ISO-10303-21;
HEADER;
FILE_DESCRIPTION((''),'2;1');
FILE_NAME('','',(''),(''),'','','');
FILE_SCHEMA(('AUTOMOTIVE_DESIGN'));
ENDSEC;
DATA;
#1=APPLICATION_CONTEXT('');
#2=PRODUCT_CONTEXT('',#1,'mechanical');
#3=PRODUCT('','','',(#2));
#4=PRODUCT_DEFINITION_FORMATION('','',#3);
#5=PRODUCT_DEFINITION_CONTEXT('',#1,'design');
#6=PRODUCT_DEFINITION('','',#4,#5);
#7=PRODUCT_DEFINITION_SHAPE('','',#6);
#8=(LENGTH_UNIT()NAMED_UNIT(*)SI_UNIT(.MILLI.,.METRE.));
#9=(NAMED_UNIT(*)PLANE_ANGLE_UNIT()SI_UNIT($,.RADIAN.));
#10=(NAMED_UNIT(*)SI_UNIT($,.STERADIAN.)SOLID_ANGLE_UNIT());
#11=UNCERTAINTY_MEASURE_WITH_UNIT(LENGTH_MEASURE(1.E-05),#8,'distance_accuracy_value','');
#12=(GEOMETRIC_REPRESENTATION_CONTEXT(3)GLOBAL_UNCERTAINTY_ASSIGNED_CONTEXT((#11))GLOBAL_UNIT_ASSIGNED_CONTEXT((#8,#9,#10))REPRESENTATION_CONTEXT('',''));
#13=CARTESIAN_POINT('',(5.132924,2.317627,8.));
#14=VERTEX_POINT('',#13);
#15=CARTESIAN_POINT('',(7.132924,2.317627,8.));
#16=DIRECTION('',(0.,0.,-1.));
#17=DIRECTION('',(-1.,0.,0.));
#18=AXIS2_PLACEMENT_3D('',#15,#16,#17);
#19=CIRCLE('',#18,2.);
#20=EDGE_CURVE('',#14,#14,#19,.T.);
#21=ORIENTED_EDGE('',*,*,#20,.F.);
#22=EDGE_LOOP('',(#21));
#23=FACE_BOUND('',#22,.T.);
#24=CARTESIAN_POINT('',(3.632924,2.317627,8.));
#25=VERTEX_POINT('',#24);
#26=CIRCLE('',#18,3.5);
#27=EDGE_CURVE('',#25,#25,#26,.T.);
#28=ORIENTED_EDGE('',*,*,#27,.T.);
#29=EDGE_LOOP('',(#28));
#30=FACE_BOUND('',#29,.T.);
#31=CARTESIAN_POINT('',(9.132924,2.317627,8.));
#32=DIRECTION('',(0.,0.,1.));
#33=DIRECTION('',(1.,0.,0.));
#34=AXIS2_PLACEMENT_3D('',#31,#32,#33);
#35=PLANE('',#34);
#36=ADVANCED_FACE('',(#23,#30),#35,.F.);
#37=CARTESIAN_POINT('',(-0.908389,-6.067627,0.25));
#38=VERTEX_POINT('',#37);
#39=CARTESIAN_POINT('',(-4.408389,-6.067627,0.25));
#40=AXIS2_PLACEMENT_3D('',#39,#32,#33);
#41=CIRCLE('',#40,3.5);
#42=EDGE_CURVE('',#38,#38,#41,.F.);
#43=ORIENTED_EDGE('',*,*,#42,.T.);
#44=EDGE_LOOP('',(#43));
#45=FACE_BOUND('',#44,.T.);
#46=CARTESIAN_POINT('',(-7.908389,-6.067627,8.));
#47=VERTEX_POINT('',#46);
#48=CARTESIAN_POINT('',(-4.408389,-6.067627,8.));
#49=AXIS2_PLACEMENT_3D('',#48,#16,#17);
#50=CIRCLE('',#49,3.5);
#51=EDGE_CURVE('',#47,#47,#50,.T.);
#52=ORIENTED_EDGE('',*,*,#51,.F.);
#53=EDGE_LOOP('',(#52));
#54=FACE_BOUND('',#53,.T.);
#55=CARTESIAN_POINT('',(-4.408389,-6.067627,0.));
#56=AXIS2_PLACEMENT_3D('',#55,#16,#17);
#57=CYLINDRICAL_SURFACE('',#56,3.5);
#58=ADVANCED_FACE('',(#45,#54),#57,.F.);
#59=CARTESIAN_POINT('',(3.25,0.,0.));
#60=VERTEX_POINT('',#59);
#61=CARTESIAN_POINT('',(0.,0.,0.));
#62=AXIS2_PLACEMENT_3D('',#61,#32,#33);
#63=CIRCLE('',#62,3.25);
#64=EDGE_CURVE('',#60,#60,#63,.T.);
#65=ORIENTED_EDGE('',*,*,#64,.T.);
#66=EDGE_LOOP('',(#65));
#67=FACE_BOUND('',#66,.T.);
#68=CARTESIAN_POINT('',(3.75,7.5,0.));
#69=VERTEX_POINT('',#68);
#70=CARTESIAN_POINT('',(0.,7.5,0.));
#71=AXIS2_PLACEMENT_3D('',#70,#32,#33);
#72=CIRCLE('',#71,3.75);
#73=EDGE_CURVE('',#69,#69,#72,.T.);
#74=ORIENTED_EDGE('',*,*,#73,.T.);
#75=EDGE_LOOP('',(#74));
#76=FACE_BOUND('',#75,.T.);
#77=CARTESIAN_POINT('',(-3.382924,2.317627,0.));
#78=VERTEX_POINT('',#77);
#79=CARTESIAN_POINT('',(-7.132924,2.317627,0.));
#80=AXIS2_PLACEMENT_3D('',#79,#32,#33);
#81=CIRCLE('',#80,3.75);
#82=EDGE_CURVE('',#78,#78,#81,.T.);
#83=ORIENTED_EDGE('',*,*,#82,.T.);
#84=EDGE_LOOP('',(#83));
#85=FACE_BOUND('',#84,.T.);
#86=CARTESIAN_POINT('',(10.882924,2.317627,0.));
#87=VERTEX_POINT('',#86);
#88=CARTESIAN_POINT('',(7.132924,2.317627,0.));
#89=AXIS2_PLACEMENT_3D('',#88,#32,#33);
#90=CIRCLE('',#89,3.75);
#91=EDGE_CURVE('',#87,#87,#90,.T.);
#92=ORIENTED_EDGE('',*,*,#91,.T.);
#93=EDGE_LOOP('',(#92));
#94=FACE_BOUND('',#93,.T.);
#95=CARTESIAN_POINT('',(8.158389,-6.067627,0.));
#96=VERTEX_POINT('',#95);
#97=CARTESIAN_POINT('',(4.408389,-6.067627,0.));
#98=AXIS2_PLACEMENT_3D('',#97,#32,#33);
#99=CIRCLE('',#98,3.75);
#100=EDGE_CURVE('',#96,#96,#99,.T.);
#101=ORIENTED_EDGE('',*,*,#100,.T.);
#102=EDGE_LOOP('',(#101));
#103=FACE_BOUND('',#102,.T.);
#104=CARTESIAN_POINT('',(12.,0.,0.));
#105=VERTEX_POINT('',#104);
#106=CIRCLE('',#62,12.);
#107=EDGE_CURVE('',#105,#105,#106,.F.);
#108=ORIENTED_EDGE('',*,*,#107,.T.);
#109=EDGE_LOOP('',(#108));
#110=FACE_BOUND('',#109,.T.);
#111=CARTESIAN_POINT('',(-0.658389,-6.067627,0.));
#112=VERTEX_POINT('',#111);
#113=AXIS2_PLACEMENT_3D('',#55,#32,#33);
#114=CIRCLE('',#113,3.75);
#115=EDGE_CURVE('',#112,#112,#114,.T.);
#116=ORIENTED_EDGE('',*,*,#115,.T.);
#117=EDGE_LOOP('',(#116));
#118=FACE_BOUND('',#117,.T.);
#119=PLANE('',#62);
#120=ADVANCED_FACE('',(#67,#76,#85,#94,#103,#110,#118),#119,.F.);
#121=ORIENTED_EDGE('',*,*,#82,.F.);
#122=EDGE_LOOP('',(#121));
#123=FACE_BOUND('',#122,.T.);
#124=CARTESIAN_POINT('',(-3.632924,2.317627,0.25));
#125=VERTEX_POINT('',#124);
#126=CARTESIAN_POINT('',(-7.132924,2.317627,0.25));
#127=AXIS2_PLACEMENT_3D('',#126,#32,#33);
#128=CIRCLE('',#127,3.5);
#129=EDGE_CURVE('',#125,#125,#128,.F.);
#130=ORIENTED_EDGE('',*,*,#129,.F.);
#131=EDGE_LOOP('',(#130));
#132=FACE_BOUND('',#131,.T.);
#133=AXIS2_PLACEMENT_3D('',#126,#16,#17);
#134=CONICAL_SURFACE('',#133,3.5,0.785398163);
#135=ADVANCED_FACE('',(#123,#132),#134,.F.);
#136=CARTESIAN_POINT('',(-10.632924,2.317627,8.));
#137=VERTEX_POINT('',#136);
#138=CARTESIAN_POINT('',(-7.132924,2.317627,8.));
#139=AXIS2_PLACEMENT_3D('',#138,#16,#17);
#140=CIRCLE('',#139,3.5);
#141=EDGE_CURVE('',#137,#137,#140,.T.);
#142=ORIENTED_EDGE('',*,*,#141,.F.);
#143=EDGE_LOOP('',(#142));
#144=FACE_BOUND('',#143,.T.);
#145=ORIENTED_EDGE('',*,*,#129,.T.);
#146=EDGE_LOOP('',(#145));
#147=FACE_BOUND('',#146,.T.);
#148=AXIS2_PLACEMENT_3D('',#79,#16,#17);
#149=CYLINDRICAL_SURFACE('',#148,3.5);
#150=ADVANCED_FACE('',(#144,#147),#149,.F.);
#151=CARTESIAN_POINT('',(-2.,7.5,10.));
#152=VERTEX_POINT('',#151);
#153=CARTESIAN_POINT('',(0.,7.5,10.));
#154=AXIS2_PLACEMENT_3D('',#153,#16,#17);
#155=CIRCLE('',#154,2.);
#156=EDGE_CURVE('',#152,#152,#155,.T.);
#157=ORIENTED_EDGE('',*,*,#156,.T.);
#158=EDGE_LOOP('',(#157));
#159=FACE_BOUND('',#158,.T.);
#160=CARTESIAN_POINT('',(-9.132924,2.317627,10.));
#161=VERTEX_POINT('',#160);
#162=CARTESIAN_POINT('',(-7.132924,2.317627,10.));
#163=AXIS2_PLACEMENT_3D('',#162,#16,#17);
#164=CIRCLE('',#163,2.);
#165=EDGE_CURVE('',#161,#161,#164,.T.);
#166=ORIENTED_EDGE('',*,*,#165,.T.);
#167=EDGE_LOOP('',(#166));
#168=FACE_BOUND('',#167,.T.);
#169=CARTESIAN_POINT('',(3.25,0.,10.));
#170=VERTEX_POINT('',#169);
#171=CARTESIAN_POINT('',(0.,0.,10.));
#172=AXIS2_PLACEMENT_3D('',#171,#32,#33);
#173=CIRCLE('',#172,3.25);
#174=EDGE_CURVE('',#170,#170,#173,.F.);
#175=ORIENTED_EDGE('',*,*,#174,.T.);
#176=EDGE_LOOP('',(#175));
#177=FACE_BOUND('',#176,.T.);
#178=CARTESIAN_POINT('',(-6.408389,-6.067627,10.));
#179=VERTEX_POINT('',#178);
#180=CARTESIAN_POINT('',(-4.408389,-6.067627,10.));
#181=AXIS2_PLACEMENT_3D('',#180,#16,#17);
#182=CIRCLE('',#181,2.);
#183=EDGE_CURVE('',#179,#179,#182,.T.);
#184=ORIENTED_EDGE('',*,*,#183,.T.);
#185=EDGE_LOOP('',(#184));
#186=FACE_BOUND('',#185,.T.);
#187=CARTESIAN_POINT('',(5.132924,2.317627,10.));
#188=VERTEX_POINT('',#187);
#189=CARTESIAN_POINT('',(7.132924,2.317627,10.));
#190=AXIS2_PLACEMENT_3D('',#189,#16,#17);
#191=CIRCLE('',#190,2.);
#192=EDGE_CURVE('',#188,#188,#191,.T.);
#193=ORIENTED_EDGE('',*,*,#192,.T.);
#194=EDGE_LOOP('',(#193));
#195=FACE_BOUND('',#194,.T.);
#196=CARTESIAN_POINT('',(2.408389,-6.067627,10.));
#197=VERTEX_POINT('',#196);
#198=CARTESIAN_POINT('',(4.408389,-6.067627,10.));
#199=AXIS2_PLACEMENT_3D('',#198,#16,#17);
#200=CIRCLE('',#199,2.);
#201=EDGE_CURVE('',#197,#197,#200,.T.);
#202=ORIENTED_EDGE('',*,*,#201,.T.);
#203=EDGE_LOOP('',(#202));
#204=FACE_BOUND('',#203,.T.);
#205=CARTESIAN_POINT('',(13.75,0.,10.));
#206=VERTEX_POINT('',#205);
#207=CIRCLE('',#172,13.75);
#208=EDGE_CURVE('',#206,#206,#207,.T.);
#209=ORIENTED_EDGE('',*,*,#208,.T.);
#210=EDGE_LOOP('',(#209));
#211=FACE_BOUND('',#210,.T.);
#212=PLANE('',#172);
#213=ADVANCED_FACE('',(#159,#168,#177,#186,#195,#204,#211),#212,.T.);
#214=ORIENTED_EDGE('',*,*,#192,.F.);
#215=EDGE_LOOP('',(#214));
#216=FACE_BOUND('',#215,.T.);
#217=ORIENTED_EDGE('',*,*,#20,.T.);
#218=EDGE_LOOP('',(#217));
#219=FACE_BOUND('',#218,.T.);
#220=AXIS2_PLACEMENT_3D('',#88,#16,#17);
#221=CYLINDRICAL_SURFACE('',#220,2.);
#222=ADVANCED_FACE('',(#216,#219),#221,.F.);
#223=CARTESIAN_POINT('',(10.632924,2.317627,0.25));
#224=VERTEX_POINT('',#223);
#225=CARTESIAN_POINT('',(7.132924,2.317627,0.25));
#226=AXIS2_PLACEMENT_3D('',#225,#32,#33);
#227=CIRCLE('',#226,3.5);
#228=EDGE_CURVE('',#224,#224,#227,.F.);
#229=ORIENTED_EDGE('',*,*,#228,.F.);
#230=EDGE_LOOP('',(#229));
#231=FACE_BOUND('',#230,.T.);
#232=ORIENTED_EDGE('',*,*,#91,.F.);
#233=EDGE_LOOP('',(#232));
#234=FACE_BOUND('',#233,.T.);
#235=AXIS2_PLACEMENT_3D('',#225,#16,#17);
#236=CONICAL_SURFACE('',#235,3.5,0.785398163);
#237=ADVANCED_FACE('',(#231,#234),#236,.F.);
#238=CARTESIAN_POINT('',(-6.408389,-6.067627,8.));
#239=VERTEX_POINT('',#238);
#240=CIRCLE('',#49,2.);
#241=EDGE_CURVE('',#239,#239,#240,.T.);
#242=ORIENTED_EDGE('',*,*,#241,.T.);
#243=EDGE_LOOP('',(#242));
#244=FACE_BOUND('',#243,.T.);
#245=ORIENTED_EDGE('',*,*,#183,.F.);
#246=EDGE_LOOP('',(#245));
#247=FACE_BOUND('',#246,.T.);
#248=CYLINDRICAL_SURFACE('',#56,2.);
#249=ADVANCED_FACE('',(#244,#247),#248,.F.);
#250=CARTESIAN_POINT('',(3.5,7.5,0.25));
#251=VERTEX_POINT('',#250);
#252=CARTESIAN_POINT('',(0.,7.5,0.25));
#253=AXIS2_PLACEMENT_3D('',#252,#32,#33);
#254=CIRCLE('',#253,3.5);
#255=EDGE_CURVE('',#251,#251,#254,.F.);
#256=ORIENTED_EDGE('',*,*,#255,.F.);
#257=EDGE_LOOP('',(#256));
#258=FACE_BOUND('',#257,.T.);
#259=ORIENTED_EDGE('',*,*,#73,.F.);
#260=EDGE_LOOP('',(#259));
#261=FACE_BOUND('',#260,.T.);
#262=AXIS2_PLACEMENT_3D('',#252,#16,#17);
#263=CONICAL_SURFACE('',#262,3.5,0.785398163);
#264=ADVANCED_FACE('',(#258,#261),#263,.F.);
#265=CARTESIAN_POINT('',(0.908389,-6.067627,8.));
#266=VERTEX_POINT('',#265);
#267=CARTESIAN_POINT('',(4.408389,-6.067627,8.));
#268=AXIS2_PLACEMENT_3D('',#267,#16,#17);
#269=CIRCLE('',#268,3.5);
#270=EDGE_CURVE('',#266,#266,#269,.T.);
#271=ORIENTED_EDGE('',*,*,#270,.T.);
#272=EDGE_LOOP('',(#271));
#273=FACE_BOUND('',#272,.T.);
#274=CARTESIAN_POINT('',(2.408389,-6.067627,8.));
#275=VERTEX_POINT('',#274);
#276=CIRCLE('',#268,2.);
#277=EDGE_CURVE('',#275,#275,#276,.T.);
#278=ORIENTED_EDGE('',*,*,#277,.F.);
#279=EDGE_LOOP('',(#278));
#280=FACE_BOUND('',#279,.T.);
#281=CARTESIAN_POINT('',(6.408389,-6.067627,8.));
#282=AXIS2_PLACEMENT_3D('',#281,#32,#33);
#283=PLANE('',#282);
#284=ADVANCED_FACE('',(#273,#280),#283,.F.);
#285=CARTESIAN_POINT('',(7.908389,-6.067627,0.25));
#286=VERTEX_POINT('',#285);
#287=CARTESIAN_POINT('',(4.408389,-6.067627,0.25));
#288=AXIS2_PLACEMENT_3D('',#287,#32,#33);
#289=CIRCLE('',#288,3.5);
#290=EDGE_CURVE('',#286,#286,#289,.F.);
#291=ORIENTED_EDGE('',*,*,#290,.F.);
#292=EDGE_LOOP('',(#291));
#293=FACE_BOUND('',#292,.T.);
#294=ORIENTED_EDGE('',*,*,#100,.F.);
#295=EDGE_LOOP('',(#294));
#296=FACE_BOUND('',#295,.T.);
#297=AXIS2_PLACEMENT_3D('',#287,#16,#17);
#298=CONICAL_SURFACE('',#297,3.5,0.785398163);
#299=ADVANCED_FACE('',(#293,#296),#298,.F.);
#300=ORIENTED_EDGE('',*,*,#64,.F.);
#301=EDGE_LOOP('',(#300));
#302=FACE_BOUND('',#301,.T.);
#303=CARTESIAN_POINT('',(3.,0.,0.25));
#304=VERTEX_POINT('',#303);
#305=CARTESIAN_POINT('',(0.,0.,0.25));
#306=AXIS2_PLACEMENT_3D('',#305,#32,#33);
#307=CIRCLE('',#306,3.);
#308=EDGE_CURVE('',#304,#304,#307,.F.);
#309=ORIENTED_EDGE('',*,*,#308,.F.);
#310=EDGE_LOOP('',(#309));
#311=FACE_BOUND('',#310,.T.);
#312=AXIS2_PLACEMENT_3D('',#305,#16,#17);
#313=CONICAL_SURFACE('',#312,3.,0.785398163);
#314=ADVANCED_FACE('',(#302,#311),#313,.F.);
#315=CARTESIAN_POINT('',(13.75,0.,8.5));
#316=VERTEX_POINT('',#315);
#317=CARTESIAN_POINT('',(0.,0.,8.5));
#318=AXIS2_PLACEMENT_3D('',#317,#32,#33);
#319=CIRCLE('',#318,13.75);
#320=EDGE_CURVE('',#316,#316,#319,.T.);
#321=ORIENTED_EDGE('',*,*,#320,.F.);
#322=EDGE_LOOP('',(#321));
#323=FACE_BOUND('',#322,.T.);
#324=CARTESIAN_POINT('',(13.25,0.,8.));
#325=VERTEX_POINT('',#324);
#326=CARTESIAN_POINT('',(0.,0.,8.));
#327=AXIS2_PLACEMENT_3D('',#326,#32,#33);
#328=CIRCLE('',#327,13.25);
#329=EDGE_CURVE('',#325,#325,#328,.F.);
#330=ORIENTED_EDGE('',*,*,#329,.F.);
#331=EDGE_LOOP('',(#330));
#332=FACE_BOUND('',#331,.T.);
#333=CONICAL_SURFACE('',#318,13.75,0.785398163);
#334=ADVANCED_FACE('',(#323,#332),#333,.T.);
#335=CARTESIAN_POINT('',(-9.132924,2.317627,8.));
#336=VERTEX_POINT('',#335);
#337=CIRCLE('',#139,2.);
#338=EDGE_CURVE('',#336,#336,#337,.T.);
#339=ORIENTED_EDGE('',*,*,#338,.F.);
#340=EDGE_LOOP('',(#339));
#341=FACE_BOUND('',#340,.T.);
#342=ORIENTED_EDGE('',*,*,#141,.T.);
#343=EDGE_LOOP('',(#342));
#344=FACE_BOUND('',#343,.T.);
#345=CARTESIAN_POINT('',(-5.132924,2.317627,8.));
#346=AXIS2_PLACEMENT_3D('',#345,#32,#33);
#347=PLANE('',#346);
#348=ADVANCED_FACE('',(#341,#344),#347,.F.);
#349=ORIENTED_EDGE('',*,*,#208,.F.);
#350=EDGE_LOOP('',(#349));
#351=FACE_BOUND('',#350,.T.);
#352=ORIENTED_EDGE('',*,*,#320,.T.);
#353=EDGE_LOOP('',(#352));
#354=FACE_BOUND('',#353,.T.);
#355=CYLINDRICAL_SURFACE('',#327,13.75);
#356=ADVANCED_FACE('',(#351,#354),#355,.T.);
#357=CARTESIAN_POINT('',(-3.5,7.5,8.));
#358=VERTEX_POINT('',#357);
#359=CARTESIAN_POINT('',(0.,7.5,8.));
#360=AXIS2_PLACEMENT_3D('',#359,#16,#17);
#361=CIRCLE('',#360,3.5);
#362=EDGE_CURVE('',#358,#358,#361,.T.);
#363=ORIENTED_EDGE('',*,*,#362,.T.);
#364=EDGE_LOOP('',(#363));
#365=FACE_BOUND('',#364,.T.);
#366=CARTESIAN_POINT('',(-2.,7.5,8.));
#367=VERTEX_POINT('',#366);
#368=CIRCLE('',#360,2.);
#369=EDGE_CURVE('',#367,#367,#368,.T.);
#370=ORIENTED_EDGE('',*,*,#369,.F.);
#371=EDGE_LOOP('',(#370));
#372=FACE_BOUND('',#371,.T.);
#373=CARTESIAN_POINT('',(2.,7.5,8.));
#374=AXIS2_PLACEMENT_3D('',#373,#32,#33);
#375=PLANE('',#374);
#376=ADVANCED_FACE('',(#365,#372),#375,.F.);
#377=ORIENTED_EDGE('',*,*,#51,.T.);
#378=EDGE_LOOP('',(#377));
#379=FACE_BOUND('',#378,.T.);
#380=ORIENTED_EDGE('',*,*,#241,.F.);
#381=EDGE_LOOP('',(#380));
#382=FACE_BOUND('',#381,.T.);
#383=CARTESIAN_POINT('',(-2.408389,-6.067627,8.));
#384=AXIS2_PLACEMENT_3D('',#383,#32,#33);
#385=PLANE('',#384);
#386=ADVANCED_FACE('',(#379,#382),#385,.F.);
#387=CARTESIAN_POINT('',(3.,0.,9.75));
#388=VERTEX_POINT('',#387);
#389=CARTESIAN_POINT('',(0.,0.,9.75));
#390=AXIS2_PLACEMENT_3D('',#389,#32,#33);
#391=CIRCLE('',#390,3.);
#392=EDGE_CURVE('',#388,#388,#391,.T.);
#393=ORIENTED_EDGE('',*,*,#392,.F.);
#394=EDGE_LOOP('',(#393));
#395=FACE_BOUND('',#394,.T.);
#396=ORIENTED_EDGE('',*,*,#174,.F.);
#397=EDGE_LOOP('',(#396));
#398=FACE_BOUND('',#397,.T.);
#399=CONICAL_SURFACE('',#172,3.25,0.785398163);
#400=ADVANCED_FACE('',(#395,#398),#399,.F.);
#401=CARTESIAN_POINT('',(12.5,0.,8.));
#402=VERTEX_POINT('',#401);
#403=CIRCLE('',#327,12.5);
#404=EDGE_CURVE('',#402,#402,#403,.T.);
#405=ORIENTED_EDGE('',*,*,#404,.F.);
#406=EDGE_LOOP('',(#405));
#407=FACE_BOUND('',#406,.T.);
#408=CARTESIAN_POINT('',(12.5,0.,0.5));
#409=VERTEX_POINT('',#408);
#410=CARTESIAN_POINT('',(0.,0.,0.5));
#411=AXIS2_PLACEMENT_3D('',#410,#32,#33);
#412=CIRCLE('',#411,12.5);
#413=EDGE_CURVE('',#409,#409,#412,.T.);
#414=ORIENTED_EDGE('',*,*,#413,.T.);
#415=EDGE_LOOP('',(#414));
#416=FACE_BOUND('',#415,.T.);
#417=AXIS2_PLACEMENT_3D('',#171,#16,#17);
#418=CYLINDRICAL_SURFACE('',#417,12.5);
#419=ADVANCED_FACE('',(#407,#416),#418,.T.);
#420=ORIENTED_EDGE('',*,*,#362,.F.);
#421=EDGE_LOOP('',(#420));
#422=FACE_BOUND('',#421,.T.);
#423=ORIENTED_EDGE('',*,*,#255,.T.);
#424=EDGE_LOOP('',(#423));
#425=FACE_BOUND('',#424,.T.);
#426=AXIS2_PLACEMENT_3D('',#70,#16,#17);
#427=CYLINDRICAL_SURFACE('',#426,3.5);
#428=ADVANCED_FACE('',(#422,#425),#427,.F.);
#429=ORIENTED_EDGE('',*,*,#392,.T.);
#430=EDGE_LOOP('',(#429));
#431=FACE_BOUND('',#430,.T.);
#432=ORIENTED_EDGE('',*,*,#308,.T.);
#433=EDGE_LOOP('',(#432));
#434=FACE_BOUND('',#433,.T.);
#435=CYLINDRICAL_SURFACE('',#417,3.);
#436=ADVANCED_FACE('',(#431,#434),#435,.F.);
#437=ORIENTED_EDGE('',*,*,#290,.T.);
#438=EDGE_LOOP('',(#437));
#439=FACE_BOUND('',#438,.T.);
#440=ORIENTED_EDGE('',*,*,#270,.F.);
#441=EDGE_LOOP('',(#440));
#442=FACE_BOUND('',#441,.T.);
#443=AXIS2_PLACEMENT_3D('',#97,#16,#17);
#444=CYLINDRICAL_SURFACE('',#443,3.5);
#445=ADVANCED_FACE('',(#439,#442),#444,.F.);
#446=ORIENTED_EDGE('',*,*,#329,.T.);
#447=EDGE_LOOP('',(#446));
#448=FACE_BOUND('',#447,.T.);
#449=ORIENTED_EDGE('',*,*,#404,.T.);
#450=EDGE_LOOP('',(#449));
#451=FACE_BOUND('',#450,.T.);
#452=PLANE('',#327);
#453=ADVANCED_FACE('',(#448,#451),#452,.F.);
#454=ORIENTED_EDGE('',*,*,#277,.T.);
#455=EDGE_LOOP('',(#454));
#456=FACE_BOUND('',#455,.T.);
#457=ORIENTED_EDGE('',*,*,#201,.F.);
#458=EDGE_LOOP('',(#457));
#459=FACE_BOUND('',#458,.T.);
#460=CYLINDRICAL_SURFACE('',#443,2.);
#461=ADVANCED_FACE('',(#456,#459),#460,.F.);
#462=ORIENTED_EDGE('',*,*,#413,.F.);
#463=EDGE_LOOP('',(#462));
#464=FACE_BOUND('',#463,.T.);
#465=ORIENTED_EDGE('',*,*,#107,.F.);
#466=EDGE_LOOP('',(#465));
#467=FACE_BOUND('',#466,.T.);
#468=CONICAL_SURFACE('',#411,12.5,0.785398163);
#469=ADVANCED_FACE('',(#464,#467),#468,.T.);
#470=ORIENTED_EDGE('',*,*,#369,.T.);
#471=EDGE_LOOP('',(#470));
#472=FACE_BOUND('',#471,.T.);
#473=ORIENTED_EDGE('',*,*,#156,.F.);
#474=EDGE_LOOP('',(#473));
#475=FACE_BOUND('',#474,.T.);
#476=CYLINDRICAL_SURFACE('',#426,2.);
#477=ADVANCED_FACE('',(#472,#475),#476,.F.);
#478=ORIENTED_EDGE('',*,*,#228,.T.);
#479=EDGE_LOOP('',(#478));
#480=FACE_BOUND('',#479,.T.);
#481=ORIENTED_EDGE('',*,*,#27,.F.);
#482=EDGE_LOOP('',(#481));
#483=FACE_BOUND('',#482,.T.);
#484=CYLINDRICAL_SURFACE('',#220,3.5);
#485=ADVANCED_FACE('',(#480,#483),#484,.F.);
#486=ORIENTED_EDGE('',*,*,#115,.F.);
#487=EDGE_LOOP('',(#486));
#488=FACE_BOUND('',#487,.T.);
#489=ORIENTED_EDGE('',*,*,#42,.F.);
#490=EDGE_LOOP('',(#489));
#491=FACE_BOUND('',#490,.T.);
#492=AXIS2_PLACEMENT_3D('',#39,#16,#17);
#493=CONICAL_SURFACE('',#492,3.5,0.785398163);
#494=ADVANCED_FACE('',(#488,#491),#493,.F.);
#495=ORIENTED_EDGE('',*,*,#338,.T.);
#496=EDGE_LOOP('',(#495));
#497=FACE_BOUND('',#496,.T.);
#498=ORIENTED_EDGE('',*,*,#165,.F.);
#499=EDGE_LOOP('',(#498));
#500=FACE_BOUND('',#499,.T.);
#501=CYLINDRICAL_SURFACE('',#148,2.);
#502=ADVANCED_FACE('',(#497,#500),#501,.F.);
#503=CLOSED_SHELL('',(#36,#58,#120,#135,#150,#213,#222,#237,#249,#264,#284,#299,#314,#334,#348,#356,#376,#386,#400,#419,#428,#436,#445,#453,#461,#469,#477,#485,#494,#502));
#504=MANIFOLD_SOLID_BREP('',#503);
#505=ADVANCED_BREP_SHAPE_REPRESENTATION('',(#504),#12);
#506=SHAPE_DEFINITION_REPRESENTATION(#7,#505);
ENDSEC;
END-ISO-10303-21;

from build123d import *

# Parameters (mm, degrees)
SKETCH_1_R                   = 12.5
SKETCH_1_R_2                 = 1.5
EXTRUDE_1_DEPTH              = 10
EXTRUDE_START                = -2
SKETCH_3_R                   = 13.75
SKETCH_3_R_2                 = 12.5
EXTRUDE_3_DEPTH              = 2
SKETCH_4_R                   = 3
CUT_EXTRUDE_1_DEPTH          = 22.866069606
HOLE_WIZARD_M3_1_D           = 4
HOLE_WIZARD_M3_1_CBORE_D     = 7
HOLE_WIZARD_M3_1_CBORE_DEPTH = 8
CHAMFER_1_SIZE               = 0.5
CHAMFER_2_SIZE               = 0.25


with BuildPart() as part:
    # ｽｹｯﾁ1 → ﾎﾞｽ - 押し出し1 (new body)
    with BuildSketch(Plane.XY):
        Circle(SKETCH_1_R)
        with Locations((0, 7.5)):
            Circle(SKETCH_1_R_2, mode=Mode.SUBTRACT)
        with Locations((7.132923872, 2.317627458)):
            Circle(SKETCH_1_R_2, mode=Mode.SUBTRACT)
        with Locations((4.408389392, -6.067627458)):
            Circle(SKETCH_1_R_2, mode=Mode.SUBTRACT)
        with Locations((-4.408389392, -6.067627458)):
            Circle(SKETCH_1_R_2, mode=Mode.SUBTRACT)
        with Locations((-7.132923872, 2.317627458)):
            Circle(SKETCH_1_R_2, mode=Mode.SUBTRACT)
    extrude(amount=EXTRUDE_1_DEPTH)

    # ｽｹｯﾁ3 → ﾎﾞｽ - 押し出し3 (add)
    with BuildSketch(Plane.XY.offset(10).offset(EXTRUDE_START)):
        Circle(SKETCH_3_R)
        Circle(SKETCH_3_R_2, mode=Mode.SUBTRACT)
    extrude(amount=EXTRUDE_3_DEPTH)

    # ｽｹｯﾁ4 → ｶｯﾄ - 押し出し1 (cut, through all)
    with BuildSketch(Plane(origin=(0, 0, 0), x_dir=(-1, 0, 0), z_dir=(0, 0, -1))):
        Circle(SKETCH_4_R)
    extrude(amount=-CUT_EXTRUDE_1_DEPTH, mode=Mode.SUBTRACT)

    # M3 穴付きねじ用座ぐり穴1 (through all)
    with Locations(Plane(origin=(0, 0, 0), x_dir=(-1, 0, 0), z_dir=(0, 0, -1))):
        with Locations((0, 7.5), (7.132923872, 2.317627458), (4.408389392, -6.067627458), (-4.408389392, -6.067627458), (-7.132923872, 2.317627458)):
            CounterBoreHole(HOLE_WIZARD_M3_1_D / 2, HOLE_WIZARD_M3_1_CBORE_D / 2, HOLE_WIZARD_M3_1_CBORE_DEPTH)

    # 面取り1
    chamfer_1_edges = [part.edges().sort_by_distance(p)[0] for p in [
        (-12.5, 0, 0),
        (-13.75, 0, 8),
    ]]
    chamfer(chamfer_1_edges, length=CHAMFER_1_SIZE)

    # 面取り2
    chamfer_2_edges = [part.edges().sort_by_distance(p)[0] for p in [
        (3, 0, 10),
        (3, 0, 0),
        (10.632923872, 2.317627458, 0),
        (7.908389392, -6.067627458, 0),
        (-0.908389392, -6.067627458, 0),
        (-3.632923872, 2.317627458, 0),
        (3.5, 7.5, 0),
    ]]
    chamfer(chamfer_2_edges, length=CHAMFER_2_SIZE)


solid = part.part
